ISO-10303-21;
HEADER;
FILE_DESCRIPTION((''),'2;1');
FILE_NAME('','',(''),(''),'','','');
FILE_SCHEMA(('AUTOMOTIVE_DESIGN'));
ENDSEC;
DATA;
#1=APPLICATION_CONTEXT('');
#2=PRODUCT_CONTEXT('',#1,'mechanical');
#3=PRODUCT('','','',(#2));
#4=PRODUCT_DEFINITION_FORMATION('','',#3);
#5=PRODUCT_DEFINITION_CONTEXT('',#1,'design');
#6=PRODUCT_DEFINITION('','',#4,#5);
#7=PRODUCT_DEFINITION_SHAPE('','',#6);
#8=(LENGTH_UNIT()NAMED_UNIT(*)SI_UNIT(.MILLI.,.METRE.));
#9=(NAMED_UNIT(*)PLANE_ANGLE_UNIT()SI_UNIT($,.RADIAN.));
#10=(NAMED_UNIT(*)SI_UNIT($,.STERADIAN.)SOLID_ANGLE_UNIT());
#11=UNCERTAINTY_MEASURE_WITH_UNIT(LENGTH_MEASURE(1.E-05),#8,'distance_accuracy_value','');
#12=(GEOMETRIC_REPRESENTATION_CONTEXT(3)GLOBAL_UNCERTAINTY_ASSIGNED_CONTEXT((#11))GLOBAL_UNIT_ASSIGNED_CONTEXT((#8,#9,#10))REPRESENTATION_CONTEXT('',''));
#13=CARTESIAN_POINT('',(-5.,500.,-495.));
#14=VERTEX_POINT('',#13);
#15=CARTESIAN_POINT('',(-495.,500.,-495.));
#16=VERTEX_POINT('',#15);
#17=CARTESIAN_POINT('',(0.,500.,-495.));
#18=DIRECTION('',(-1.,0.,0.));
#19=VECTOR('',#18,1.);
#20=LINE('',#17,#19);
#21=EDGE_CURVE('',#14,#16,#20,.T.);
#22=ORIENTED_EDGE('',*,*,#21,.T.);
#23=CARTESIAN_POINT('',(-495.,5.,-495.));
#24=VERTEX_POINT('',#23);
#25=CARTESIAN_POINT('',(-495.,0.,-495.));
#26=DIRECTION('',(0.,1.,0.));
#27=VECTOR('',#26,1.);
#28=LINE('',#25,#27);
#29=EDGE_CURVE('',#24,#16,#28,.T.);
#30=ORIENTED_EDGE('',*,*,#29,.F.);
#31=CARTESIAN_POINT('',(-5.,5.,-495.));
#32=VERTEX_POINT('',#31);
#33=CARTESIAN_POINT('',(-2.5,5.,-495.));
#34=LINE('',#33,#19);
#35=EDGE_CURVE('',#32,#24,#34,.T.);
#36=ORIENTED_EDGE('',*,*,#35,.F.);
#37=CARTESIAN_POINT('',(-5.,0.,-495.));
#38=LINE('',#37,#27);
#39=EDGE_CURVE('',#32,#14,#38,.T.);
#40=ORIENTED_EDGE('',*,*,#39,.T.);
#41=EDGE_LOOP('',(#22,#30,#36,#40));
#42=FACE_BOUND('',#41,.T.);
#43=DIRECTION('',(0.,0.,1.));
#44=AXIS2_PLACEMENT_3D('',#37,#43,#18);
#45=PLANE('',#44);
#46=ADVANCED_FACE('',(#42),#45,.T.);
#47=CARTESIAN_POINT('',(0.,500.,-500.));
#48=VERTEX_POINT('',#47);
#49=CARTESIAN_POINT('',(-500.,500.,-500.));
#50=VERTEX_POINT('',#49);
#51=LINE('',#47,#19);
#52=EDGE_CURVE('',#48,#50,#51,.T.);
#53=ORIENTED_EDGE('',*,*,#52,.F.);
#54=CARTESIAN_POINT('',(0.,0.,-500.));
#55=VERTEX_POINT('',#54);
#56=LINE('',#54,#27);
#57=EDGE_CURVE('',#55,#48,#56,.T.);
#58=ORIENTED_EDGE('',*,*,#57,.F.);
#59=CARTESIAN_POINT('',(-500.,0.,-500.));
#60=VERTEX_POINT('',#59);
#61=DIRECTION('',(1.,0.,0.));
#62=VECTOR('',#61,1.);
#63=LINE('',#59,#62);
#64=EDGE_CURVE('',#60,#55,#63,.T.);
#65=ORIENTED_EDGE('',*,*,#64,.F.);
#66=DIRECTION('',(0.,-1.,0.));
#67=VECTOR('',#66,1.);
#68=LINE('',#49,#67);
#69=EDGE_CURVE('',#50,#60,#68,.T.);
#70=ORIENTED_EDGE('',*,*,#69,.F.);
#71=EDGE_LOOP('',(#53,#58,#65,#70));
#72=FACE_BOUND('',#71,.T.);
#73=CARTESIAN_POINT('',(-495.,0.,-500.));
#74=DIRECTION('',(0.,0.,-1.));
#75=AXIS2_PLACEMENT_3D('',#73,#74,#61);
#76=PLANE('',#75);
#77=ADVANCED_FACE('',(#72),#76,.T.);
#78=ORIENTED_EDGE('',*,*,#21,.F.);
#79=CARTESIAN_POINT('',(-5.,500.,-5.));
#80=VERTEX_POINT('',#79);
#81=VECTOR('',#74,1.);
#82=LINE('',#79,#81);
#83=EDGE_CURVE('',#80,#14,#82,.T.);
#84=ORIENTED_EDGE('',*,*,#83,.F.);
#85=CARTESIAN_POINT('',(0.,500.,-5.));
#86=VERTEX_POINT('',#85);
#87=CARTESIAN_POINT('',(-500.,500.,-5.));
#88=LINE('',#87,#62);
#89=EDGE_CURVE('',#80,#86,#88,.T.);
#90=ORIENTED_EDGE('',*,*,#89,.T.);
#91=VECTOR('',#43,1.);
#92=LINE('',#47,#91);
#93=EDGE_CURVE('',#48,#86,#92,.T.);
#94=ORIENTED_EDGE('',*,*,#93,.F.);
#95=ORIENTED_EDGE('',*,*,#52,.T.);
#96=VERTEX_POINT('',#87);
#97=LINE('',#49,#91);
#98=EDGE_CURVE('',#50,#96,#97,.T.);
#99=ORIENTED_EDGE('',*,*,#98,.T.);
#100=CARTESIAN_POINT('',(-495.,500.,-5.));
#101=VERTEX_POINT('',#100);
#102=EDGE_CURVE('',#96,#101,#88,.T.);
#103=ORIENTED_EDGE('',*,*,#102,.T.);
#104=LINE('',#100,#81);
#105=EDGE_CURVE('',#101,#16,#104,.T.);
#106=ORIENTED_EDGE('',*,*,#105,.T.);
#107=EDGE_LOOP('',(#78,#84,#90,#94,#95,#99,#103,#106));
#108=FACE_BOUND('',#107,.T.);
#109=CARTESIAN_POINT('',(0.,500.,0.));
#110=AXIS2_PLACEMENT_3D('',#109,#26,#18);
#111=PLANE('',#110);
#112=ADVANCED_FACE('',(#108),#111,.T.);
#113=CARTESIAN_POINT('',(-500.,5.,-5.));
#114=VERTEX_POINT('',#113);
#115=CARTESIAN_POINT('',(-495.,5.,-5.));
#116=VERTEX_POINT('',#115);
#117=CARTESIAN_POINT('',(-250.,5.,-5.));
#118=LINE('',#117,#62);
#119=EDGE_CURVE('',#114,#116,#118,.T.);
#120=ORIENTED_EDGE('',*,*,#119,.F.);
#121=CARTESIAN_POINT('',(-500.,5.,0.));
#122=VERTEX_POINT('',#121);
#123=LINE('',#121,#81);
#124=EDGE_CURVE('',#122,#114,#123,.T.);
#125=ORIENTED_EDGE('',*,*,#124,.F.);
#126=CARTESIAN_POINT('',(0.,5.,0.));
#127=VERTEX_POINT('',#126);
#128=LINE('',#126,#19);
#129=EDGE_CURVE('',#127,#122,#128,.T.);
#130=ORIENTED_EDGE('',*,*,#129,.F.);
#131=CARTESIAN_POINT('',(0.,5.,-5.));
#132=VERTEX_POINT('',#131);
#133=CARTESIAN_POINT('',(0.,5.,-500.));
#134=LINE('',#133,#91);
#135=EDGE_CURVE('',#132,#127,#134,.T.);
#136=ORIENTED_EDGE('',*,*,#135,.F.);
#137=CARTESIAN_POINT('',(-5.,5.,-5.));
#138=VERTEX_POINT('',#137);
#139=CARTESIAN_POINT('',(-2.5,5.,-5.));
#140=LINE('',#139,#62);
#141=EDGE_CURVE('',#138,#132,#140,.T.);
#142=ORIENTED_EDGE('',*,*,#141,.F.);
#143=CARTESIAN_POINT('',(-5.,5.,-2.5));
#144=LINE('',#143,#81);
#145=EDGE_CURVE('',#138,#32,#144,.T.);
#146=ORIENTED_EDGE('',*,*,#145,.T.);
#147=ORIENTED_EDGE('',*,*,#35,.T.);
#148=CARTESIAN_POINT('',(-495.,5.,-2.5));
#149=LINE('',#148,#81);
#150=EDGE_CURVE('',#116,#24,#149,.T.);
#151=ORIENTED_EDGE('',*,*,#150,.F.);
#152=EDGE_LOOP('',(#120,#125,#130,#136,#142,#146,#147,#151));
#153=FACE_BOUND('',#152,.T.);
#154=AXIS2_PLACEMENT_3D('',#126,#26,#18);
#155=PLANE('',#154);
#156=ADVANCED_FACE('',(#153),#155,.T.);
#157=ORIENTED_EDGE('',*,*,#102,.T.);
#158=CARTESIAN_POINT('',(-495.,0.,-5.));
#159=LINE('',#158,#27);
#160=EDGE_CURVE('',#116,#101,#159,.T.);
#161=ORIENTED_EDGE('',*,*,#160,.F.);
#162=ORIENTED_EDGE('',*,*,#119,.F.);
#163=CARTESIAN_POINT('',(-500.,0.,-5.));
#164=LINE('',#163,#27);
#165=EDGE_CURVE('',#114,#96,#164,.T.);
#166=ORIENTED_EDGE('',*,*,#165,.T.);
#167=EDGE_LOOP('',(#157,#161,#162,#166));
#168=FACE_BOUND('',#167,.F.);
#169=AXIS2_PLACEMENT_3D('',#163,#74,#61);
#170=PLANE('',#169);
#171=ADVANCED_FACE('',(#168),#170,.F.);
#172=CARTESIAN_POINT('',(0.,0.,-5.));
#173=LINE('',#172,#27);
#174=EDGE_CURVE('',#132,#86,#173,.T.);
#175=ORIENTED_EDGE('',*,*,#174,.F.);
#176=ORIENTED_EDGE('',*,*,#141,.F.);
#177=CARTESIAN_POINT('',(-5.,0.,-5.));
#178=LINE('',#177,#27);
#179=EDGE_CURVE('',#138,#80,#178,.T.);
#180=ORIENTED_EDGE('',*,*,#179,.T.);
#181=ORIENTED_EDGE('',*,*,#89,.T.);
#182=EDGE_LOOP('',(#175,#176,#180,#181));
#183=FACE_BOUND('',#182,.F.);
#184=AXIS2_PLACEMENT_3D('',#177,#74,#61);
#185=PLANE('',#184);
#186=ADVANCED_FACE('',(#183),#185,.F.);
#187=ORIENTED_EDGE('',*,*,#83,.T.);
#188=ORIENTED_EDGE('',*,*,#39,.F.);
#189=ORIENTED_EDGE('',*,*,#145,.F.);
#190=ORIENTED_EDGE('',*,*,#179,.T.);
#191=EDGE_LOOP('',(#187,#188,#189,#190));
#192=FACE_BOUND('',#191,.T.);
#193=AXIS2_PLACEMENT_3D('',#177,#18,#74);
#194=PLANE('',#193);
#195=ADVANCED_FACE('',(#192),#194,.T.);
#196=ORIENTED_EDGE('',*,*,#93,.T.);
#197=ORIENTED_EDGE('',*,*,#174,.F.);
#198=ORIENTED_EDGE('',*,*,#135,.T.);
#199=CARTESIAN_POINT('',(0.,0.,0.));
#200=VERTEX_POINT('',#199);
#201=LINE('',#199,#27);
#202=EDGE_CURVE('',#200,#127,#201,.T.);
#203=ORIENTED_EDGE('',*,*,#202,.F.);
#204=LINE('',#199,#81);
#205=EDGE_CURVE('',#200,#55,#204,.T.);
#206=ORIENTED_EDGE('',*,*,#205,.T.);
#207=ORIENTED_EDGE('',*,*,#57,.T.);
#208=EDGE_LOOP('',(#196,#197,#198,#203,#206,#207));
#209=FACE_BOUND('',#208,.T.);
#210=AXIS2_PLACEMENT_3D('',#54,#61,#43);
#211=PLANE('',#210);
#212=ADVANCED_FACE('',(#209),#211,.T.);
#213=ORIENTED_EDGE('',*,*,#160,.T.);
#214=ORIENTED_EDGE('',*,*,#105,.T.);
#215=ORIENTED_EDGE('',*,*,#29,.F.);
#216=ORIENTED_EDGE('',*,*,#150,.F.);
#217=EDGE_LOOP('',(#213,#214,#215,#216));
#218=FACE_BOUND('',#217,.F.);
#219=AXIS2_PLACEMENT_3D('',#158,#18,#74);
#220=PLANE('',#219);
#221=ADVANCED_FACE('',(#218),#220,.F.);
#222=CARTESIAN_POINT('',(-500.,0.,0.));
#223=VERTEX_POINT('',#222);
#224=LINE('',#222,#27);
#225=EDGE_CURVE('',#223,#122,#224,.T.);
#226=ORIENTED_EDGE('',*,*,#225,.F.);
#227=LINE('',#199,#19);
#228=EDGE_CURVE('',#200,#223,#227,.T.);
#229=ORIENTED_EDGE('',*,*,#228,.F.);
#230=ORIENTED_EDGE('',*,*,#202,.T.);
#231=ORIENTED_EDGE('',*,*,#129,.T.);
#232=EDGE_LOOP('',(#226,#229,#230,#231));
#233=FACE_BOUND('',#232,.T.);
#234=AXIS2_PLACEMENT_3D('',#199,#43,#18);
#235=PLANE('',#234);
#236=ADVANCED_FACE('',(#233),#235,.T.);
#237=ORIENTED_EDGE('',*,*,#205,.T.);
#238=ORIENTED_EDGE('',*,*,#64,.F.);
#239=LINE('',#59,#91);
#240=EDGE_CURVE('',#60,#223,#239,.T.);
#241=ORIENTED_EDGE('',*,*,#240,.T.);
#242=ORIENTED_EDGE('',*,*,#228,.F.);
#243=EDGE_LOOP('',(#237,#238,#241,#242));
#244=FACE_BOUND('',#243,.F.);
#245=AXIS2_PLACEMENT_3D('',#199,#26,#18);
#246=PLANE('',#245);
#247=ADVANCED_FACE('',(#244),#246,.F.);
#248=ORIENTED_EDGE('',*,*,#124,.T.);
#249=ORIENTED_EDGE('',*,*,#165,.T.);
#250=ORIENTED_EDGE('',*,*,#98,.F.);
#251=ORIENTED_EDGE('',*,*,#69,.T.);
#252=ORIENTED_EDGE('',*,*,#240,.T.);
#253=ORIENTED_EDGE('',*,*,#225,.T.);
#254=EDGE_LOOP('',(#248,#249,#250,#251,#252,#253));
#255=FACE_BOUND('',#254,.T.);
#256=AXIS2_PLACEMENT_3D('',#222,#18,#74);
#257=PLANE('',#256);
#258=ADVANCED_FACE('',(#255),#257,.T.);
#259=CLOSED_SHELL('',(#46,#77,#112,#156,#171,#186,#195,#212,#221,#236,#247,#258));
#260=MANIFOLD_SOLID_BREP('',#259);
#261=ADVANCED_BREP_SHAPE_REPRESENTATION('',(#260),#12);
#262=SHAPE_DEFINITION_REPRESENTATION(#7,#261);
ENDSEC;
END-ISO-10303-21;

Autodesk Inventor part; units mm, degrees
ref_plane "YZ Plane" through (0, 0, 0) normal (1, 0, 0) x (0, 1, 0)
ref_plane "XZ Plane" through (0, 0, 0) normal (0, 1, 0) x (-1, 0, 0)
ref_plane "XY Plane" through (0, 0, 0) normal (0, 0, 1) x (1, 0, 0)
sketch "Esquisse1" plane through (0, 0, 0) normal (0, 1, 0) x (-1, 0, 0)
  point P0 (0, 0)
sketch "Esquisse2" plane through (0, 0, 0) normal (0, 1, 0) x (-1, 0, 0)
  line L0 (0, 0) -> (500, 0)
  line L1 (500, 0) -> (500, -500)
  line L2 (500, -500) -> (0, -500)
  line L3 (0, -500) -> (0, 0)
  dimension "d0" = 500
  dimension "d1" = 500
sketch "Esquisse3" plane through (0, 0, 0) normal (0, 1, 0) x (-1, 0, 0)
  line L0 (0, 0) -> (500, 0)
  line L1 (500, 0) -> (500, -5)
  line L2 (500, -5) -> (0, -5)
  line L3 (0, -5) -> (0, 0)
  line L4 (500, -5) -> (495, -5)
  line L5 (495, -5) -> (495, -500)
  line L6 (495, -500) -> (500, -500)
  line L7 (500, -500) -> (500, -5)
  line L8 (495, -500) -> (0, -500)
  line L9 (0, -500) -> (0, -495)
  line L10 (0, -495) -> (495, -495)
  line L11 (495, -495) -> (495, -500)
  line L12 (0, -5) -> (5, -5)
  line L13 (5, -5) -> (5, -495)
  line L14 (5, -495) -> (0, -495)
  line L15 (0, -495) -> (0, -5)
  dimension "d2" = 500
  dimension "d3" = 5
  dimension "d4" = 495
  dimension "d5" = 5
  dimension "d6" = 495
  dimension "d7" = 5
  dimension "d8" = 5
extrude "Extrusion1" add sketch "Esquisse3" along normal blind 500 contours L2 L13 L10 L15 | L7 L6 L5 L2 | L10 L5 L8 L9
extrude "Extrusion2" add sketch "Esquisse2" along normal blind 5
properties part number "boite" material "Bois (bouleau)"
